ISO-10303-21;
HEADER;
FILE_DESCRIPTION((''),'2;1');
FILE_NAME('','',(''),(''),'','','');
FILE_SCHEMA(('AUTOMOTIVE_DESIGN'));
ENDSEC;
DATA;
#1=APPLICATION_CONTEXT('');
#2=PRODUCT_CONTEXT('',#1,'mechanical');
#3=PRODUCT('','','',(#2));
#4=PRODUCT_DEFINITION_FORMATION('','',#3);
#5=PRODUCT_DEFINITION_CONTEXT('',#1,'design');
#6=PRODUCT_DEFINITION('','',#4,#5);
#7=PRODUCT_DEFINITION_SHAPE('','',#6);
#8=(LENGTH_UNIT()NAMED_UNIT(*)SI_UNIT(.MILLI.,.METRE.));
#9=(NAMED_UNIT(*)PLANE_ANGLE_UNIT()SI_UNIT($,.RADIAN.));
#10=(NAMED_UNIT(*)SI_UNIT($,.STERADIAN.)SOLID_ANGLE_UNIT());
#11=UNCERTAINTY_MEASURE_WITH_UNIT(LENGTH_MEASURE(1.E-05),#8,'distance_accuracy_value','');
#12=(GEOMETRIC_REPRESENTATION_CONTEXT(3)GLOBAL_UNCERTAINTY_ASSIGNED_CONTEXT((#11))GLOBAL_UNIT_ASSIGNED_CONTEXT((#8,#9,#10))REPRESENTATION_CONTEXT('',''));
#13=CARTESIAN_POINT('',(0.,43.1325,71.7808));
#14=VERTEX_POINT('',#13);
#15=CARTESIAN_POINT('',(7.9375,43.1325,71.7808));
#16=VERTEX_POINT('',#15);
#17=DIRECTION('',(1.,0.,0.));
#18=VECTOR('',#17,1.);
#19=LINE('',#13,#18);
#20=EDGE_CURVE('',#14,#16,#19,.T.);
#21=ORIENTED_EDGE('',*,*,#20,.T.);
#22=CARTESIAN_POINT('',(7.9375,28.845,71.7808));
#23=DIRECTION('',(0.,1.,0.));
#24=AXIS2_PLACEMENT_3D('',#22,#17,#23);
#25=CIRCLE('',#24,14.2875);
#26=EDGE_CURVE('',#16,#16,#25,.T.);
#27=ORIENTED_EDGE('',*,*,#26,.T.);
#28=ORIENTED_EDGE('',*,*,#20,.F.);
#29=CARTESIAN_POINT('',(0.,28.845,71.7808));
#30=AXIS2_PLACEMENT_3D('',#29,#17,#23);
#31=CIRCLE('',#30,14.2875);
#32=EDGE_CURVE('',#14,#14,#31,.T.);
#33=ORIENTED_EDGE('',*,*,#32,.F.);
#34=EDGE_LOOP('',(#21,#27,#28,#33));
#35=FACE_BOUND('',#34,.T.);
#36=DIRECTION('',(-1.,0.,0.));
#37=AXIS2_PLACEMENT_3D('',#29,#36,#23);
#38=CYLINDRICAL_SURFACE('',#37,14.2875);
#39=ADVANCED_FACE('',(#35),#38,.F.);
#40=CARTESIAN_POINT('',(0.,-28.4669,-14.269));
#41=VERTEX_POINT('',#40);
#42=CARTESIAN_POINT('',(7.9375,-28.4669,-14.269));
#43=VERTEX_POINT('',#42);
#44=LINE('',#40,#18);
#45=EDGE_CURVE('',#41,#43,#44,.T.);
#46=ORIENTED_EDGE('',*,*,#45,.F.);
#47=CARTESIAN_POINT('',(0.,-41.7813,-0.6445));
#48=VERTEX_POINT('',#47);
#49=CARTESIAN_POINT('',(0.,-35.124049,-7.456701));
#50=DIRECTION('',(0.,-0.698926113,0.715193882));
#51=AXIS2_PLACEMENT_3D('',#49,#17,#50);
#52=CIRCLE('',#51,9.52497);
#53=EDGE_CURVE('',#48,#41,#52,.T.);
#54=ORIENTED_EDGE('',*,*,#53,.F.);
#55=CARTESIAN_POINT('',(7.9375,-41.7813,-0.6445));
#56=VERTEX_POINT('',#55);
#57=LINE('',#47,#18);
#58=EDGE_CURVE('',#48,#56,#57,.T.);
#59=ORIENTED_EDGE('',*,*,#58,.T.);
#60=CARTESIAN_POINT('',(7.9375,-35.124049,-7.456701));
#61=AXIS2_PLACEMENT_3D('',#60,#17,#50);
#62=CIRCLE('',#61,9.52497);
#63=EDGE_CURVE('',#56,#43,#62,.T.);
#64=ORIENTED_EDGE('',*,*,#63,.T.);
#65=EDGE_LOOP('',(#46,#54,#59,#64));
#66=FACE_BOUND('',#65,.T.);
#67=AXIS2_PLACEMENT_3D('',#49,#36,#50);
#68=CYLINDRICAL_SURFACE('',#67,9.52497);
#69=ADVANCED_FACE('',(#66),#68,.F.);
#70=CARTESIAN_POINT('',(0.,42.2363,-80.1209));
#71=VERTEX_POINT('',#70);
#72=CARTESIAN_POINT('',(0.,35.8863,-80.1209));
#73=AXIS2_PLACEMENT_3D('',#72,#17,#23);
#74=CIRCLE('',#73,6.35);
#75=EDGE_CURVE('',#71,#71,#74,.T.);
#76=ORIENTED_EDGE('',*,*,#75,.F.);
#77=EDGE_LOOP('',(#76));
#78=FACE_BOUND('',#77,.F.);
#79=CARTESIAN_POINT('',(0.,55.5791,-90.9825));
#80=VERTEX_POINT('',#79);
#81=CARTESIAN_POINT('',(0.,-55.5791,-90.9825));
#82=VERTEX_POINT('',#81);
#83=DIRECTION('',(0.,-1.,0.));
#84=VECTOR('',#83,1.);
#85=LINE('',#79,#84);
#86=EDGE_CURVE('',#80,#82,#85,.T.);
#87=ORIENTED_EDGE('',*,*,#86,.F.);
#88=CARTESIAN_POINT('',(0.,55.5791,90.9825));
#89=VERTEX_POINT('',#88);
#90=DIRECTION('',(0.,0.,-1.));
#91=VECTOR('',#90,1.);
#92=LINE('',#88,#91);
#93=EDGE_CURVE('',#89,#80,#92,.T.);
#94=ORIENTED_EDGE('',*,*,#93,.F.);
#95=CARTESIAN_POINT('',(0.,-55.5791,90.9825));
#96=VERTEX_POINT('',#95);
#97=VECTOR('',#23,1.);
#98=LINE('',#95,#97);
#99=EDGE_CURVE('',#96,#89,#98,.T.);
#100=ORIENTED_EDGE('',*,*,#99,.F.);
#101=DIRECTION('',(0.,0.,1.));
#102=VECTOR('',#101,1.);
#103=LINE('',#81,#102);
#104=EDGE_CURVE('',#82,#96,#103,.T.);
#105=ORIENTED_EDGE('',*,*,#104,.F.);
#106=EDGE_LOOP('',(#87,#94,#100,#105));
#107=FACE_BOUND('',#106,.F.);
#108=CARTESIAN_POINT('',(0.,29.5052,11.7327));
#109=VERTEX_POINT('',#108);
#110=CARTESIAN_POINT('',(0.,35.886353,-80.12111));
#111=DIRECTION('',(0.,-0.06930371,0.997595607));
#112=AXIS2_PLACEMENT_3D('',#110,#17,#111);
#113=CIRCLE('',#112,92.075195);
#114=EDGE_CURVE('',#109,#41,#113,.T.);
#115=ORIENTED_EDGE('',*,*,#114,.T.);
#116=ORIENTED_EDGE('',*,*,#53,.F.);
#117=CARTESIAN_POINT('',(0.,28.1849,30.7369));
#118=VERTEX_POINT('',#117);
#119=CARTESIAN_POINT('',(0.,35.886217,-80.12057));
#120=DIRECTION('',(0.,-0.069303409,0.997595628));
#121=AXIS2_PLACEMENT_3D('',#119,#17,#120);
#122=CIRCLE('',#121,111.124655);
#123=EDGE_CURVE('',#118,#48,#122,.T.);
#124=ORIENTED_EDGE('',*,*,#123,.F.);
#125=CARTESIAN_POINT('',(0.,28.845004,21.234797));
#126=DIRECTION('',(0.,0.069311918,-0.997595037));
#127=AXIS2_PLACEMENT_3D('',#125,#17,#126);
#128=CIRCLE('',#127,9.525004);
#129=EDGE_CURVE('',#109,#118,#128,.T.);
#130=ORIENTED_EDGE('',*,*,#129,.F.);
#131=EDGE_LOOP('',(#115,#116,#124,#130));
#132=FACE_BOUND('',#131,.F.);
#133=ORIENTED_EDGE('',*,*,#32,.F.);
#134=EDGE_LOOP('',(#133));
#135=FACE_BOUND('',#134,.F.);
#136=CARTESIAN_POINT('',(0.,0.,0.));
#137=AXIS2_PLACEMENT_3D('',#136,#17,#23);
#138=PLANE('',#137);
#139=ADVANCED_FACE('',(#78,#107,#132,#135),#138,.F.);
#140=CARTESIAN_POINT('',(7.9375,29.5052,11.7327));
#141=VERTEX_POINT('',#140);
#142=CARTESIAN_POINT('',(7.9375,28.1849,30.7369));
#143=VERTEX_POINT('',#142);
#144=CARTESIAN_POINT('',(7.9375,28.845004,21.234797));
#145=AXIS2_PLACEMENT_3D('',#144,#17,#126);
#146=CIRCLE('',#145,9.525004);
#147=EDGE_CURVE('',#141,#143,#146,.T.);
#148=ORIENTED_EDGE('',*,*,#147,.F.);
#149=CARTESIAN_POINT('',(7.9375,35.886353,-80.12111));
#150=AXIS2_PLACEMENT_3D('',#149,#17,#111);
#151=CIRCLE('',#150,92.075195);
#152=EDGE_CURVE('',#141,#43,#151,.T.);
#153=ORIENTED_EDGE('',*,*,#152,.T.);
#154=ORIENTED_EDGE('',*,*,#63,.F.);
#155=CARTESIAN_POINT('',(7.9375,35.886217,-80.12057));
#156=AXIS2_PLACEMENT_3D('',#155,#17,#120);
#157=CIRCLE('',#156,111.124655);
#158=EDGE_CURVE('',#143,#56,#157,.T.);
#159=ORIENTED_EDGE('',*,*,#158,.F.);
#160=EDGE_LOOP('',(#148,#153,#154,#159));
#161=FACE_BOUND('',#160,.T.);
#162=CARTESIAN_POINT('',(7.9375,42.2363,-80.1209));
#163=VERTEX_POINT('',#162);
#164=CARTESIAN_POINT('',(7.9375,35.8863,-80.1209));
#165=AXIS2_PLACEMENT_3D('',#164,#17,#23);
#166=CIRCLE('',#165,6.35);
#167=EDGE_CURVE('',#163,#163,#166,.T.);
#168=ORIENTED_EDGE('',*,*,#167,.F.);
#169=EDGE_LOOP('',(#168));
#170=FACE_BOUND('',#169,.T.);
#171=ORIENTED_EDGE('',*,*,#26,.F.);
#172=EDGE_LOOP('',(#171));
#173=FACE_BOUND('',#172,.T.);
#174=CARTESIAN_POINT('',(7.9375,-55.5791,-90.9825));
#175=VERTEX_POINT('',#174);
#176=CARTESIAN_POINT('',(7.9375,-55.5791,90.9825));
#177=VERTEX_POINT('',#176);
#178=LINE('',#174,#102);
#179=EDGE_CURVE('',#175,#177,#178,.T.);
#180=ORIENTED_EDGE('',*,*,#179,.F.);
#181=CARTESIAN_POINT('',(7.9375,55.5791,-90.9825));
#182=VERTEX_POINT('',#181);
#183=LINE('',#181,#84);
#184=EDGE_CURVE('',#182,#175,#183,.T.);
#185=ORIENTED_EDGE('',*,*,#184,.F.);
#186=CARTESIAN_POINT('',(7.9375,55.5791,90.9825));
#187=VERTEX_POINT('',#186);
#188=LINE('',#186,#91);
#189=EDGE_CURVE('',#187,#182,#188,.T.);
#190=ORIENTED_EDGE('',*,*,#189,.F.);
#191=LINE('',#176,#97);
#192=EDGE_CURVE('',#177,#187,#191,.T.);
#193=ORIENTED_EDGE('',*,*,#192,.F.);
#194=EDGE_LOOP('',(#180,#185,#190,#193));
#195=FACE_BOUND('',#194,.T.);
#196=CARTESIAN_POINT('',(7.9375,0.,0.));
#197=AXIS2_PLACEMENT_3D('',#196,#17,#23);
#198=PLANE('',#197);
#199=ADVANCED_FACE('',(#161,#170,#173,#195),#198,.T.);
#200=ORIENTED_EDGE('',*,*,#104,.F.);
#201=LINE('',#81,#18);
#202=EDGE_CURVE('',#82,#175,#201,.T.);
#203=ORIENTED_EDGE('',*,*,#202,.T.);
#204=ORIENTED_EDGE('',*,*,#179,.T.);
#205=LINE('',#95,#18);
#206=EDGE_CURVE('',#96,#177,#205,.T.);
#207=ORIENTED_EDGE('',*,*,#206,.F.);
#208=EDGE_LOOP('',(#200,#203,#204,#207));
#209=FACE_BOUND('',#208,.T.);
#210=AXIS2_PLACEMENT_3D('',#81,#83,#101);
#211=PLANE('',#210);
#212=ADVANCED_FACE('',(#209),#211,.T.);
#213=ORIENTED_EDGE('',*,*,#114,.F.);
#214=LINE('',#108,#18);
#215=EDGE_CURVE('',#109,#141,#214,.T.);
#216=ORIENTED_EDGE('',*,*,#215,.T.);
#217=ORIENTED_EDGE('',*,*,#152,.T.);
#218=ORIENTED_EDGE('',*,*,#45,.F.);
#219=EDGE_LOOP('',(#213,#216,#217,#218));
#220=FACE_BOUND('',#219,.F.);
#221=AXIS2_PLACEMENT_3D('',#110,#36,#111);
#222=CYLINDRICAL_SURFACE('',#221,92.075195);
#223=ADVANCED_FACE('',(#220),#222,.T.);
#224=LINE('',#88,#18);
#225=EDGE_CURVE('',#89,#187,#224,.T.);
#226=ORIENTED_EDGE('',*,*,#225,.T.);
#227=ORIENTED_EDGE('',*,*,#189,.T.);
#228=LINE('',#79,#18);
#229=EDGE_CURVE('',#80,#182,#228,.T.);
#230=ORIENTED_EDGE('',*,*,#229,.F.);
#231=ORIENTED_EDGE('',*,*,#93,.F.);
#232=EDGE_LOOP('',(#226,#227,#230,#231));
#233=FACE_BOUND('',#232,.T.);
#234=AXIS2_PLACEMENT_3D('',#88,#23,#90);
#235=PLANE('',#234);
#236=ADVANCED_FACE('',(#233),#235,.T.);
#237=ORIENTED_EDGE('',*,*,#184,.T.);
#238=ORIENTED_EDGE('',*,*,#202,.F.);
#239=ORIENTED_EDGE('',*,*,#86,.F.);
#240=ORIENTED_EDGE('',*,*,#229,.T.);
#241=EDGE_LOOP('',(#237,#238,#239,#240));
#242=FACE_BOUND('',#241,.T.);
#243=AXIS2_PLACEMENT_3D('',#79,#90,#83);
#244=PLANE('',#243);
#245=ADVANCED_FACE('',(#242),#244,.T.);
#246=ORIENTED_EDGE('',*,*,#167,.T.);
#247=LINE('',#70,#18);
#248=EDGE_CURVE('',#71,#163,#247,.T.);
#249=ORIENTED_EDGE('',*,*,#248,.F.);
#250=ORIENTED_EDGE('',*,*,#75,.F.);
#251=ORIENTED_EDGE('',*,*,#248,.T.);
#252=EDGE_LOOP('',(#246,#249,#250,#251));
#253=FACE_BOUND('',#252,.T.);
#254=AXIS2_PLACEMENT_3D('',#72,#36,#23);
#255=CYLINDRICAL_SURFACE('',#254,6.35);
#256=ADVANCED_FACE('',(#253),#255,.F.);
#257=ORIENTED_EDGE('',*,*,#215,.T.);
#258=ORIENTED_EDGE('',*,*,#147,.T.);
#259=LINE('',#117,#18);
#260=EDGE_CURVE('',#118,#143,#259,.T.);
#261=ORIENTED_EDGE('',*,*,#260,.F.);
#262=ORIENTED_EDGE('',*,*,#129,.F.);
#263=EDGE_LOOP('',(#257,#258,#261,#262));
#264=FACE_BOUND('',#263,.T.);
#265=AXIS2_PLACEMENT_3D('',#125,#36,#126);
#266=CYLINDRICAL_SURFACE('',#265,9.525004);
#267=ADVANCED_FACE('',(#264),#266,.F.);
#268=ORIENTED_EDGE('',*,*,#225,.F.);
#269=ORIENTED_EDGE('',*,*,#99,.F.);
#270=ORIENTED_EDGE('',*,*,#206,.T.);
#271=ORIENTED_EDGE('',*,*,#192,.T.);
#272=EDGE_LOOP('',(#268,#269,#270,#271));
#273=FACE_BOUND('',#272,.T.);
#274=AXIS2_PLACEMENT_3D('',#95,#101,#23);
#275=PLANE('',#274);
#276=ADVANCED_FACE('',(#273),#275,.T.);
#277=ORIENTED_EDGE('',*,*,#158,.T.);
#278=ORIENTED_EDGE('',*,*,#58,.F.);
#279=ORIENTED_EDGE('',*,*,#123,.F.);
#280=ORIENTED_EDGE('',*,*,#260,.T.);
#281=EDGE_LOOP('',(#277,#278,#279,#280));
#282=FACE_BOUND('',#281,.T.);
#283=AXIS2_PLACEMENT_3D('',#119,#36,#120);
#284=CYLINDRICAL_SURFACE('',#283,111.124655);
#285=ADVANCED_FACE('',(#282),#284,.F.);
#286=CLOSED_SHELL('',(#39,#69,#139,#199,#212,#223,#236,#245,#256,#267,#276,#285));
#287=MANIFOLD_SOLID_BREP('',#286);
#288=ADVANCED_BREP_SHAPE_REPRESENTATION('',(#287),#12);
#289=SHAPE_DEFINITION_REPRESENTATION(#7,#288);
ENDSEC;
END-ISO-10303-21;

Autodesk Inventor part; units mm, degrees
ref_plane "YZ Plane" through (0, 0, 0) normal (1, 0, 0) x (0, 1, 0)
ref_plane "XZ Plane" through (0, 0, 0) normal (0, 1, 0) x (-1, 0, 0)
ref_plane "XY Plane" through (0, 0, 0) normal (0, 0, 1) x (1, 0, 0)
sketch "Sketch1" plane through (0, 0, 0) normal (1, 0, 0) x (0, 1, 0)
  line L0 (-55.5791, 90.9825) -> (55.5791, 90.9825)
  line L1 (55.5791, 90.9825) -> (55.5791, -90.9825)
  line L2 (55.5791, -90.9825) -> (-55.5791, -90.9825)
  line L3 (-55.5791, -90.9825) -> (-55.5791, 90.9825)
  line L4 (-55.5791, 90.9825) -> (55.5791, -90.9825) construction
  line L5 (55.5791, 90.9825) -> (-55.5791, -90.9825) construction
  circle A0 centre (35.8863, -80.1209) radius 6.35
  arc A1 (28.845, 21.2348) -> (-35.1241, -7.4567) centre (35.8863, -80.1209) ccw construction
  arc A2 (28.1849, 30.7369) -> (-41.7813, -0.6445) centre (35.8863, -80.1209) ccw
  arc A3 (29.5052, 11.7327) -> (-28.4669, -14.269) centre (35.8863, -80.1209) ccw
  arc A4 (29.5052, 11.7327) -> (28.1849, 30.7369) centre (28.845, 21.2348) ccw
  arc A5 (-41.7813, -0.6445) -> (-28.4669, -14.269) centre (-35.1241, -7.4567) ccw
  circle A6 centre (28.845, 71.7808) radius 14.2875
  point P0 (0, 0)
  dimension "d2" = 12.7
  dimension "d3" = 101.6
  dimension "d4" = 19.05
  dimension "d5" = 28.575
  dimension "d9" = 50.546
  dimension "d10" = 0
  dimension "d11" = 181.965
  dimension "d12" = 111.1583
extrude "Extrusion1" add sketch "Sketch1" along normal blind 7.9375
properties part number "side_plate" material "Steel"
